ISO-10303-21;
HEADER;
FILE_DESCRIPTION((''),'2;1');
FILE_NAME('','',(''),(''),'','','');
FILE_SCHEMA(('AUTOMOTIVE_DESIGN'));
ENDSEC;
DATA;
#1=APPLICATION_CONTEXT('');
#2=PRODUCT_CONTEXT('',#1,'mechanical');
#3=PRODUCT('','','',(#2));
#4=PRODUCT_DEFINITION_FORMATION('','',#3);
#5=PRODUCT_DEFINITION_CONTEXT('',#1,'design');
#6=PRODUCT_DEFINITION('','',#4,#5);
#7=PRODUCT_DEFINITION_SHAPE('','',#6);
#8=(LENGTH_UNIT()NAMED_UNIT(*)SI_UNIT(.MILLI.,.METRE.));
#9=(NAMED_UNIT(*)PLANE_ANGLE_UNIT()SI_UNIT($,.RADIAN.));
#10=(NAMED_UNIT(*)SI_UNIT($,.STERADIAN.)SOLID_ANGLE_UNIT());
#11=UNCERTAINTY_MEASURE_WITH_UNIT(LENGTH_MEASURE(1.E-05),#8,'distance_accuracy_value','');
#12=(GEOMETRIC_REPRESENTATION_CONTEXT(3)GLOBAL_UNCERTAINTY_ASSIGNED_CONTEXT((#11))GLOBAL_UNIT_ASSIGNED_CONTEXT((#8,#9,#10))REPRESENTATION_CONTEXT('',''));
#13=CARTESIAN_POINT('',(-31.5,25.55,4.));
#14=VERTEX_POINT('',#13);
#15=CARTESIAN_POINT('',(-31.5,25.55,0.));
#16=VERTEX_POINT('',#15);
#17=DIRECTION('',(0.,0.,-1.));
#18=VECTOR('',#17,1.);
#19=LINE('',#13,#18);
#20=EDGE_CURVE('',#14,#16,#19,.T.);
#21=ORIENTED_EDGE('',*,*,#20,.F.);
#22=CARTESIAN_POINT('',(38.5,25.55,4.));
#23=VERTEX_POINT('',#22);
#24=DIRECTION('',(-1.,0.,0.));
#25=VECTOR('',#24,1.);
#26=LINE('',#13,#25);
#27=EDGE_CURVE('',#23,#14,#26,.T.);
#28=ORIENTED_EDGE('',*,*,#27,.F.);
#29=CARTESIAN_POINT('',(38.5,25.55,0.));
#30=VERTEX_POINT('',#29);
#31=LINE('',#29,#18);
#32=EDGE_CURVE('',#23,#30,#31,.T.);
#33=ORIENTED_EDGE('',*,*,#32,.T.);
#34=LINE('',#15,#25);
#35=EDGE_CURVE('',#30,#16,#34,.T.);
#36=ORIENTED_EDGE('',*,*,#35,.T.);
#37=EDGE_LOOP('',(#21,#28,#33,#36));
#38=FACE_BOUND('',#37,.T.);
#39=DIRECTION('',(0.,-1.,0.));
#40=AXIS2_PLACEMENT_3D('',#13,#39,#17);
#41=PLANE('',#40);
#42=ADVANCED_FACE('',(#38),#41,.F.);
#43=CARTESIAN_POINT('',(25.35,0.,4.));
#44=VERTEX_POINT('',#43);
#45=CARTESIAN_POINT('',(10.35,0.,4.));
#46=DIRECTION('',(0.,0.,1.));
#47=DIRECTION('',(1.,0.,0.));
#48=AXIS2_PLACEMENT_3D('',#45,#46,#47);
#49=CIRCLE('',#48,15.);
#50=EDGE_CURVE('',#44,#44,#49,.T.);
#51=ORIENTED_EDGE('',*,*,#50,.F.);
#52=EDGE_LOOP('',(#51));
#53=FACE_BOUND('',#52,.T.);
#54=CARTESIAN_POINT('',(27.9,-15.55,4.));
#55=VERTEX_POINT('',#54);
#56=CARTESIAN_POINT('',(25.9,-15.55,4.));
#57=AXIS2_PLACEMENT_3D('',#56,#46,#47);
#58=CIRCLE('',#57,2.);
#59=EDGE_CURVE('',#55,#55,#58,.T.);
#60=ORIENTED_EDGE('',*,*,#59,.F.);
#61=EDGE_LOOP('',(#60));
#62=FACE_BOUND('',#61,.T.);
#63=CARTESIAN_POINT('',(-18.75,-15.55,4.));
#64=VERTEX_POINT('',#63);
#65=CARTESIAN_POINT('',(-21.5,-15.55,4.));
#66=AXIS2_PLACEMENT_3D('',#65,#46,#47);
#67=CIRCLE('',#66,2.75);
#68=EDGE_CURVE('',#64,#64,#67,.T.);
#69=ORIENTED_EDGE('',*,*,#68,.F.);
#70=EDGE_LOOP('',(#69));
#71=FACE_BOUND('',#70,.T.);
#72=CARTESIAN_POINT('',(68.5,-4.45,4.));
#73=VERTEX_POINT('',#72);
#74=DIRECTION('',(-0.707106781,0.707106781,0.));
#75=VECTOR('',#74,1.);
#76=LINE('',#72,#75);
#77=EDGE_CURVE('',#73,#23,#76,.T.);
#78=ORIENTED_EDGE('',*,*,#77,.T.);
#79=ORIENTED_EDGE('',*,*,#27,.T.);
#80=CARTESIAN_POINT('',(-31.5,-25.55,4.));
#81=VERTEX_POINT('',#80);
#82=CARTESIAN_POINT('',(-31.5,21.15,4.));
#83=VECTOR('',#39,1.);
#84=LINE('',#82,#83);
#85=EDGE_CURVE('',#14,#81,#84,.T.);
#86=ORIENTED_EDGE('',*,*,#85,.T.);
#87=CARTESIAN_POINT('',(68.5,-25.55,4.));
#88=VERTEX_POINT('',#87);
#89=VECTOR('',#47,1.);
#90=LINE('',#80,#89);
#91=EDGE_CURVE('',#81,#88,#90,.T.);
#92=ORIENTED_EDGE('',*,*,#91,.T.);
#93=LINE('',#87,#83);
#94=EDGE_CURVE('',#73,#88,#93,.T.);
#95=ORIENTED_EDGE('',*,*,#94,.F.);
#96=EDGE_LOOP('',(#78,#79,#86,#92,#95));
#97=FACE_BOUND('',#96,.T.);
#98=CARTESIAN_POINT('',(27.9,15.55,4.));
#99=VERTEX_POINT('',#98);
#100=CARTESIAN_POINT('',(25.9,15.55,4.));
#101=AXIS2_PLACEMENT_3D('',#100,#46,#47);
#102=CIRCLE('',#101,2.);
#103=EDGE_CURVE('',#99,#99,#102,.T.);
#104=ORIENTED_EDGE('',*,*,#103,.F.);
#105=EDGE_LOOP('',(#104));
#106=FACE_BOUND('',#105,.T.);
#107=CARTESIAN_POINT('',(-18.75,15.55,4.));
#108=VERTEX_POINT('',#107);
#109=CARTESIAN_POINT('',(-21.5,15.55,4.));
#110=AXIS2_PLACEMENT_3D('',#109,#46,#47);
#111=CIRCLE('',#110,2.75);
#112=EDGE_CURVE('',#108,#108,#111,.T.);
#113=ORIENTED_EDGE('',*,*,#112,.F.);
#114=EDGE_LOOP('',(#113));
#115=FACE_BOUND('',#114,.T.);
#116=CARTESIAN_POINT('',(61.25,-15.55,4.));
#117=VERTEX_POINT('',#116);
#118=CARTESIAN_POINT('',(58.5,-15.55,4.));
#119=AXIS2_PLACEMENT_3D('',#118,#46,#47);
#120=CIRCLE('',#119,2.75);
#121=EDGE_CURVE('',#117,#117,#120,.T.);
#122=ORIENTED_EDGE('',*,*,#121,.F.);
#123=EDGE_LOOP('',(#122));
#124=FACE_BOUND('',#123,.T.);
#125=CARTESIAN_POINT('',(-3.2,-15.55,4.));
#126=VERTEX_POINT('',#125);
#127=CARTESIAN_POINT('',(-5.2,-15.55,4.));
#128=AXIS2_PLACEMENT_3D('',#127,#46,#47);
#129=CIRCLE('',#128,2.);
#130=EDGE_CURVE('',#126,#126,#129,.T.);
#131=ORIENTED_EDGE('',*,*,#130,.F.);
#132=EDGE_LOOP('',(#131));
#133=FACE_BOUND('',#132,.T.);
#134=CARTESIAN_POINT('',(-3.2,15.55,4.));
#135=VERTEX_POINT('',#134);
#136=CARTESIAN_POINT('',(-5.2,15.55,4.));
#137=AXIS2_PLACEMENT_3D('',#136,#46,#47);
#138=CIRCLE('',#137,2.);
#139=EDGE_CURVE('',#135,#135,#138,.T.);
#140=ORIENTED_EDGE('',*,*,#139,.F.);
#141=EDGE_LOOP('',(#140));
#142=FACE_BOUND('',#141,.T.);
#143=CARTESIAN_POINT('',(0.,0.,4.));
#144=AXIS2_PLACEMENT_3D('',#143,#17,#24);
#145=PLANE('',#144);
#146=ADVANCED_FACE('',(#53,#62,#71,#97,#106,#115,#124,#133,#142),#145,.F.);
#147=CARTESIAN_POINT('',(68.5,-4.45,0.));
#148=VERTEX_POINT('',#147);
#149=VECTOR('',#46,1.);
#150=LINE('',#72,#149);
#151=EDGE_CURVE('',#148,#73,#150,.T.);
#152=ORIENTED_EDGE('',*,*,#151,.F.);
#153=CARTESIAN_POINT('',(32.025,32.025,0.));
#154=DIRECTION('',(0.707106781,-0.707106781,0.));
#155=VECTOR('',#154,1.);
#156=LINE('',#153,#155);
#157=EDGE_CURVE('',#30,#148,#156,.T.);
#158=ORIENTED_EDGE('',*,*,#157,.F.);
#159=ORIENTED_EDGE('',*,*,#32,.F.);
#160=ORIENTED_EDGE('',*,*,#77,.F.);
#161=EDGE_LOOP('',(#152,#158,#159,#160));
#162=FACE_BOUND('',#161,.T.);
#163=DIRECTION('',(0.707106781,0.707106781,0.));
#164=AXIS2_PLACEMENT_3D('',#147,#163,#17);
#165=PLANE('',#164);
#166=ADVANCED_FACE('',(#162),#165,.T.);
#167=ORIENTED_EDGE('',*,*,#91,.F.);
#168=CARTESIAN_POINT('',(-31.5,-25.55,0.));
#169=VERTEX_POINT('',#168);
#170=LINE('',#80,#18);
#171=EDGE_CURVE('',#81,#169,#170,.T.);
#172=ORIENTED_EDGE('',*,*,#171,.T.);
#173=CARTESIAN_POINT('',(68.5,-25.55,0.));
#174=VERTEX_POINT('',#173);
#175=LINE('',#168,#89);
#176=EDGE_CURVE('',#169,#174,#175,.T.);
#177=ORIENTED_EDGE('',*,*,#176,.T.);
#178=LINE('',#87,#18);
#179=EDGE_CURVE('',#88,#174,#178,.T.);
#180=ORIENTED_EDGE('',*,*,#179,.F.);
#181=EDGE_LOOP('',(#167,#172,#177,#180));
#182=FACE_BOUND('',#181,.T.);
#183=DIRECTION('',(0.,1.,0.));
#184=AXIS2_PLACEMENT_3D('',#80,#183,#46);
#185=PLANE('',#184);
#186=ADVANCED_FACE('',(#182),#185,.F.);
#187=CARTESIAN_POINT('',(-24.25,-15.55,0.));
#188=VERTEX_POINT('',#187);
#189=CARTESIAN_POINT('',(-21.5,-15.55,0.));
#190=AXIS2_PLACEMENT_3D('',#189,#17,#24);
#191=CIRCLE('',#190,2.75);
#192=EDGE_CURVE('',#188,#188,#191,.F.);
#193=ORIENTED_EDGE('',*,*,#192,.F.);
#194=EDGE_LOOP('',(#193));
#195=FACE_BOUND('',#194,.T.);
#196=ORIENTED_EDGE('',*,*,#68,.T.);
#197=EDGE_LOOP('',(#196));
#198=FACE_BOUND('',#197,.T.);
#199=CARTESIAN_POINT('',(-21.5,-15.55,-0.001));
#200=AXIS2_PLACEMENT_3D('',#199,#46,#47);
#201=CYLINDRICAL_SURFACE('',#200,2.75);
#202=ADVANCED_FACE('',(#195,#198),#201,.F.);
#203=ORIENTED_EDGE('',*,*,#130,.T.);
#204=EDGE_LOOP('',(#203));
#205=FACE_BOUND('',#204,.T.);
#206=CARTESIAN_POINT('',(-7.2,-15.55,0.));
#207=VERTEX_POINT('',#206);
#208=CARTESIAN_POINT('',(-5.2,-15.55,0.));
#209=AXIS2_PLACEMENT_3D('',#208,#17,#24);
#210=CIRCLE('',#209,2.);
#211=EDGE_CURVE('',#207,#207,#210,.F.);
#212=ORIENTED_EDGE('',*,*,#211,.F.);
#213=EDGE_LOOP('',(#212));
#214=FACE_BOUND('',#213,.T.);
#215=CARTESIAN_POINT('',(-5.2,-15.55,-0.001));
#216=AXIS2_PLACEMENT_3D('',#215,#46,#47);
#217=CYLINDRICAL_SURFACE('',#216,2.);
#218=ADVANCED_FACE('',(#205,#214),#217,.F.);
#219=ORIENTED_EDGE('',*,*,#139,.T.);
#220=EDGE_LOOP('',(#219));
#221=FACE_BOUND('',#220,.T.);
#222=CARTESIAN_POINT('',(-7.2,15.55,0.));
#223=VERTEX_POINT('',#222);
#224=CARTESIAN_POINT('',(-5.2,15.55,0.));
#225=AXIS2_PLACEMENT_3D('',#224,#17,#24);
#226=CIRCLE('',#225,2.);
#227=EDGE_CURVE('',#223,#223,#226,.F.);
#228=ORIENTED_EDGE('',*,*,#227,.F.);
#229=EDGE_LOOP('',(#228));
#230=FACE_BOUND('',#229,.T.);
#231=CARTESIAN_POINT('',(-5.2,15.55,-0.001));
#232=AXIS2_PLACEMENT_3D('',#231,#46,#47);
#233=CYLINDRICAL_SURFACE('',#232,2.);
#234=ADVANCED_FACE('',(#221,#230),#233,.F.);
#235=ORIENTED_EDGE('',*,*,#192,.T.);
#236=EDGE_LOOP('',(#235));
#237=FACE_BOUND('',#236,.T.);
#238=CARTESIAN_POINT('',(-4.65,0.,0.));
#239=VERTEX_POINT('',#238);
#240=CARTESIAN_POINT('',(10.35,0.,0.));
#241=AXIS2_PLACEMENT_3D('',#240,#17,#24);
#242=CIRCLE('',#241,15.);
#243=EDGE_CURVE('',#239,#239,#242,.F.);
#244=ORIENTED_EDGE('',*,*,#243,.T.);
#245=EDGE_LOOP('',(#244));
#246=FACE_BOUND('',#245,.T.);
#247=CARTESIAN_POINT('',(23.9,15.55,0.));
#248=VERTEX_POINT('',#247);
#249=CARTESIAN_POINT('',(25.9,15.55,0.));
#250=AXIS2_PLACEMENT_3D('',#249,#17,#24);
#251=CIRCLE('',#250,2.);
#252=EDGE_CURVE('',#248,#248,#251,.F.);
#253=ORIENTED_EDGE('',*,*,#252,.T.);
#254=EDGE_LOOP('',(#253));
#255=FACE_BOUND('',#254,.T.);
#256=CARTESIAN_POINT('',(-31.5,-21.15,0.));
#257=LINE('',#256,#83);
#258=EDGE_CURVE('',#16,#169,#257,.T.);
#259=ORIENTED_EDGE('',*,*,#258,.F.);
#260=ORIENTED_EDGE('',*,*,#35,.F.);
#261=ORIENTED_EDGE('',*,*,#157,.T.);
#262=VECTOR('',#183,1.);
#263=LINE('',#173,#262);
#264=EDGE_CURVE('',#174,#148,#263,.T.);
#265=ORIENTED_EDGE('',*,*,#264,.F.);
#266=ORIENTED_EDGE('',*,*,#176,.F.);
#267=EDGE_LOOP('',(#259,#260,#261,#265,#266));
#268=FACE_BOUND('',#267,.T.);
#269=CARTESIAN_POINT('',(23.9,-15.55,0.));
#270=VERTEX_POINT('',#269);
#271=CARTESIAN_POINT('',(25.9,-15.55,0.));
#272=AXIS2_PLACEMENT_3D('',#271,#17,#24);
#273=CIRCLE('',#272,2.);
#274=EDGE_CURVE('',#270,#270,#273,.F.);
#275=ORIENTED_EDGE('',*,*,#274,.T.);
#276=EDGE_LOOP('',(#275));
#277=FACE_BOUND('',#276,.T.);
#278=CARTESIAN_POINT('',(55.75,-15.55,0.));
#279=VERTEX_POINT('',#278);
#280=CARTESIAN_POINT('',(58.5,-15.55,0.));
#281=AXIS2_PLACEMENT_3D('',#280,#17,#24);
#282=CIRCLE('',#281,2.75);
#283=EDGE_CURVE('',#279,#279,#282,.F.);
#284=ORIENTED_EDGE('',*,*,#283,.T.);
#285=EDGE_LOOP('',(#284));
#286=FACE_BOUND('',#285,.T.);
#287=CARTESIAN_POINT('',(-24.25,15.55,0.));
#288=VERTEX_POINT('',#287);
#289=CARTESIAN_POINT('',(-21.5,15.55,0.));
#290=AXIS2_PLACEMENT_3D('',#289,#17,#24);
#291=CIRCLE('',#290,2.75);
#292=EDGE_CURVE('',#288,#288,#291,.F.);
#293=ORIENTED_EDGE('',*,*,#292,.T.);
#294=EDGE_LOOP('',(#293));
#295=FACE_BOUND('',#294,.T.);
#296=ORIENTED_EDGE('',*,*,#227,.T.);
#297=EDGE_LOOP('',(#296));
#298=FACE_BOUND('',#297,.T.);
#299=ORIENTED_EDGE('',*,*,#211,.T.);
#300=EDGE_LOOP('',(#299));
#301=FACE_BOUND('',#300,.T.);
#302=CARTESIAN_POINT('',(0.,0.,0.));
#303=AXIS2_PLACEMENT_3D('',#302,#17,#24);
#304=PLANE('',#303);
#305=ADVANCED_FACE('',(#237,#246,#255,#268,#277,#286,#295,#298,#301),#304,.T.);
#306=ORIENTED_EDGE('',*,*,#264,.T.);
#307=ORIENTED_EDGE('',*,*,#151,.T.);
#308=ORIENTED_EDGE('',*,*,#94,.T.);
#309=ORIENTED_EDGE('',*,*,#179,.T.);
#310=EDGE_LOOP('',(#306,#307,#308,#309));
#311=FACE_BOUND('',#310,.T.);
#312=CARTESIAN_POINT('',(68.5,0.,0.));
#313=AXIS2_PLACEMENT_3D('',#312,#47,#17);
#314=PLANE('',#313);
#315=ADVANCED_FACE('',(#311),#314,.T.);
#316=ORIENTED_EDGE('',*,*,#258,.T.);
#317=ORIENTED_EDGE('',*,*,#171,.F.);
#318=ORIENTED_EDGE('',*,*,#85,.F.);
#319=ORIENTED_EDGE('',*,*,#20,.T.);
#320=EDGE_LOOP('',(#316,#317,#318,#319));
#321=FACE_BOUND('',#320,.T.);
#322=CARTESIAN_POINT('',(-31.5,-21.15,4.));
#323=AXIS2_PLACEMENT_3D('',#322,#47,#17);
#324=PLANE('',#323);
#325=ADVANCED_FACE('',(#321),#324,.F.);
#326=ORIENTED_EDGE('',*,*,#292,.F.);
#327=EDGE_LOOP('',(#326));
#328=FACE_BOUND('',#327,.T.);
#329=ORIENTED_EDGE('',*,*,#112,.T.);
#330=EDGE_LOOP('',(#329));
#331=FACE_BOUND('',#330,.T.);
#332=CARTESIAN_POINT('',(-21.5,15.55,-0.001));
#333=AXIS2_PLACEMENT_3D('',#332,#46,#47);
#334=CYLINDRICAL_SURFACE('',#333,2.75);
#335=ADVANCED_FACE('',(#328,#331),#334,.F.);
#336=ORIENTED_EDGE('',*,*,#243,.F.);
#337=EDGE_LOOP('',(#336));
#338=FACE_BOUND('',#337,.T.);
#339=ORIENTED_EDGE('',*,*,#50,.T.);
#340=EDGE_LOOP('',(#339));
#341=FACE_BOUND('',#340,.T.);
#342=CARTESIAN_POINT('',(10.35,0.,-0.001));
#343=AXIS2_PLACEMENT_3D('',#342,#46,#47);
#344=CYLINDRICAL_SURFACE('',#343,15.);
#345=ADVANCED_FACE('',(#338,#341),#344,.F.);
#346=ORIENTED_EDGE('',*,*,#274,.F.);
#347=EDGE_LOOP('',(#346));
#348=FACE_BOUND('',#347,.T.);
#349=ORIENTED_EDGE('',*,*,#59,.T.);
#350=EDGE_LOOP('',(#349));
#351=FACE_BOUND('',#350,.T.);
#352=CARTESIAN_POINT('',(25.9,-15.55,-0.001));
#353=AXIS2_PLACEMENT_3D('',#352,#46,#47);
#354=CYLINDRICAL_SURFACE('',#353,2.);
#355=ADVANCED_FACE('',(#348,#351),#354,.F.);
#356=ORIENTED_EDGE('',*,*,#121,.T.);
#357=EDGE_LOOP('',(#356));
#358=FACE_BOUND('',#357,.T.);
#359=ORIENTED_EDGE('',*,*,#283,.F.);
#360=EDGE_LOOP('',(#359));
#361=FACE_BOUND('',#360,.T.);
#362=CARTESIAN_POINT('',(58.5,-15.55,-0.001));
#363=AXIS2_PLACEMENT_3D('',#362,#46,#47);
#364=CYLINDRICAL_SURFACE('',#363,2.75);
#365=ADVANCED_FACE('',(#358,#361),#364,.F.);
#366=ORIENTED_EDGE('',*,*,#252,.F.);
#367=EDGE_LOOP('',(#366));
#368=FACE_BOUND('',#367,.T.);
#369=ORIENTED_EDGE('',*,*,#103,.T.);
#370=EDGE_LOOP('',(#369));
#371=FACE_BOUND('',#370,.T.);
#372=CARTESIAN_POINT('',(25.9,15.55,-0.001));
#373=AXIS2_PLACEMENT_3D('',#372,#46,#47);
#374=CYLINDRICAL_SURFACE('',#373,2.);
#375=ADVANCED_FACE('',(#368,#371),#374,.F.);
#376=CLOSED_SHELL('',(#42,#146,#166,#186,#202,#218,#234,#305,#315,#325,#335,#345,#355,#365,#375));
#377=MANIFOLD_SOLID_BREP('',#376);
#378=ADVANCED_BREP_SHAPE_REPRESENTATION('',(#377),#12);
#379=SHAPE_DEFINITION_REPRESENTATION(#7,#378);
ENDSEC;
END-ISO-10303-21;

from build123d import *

# Parameters (mm, degrees)
BOSS_EXTRUDE1_DEPTH = 4
CUT_EXTRUDE1_REACH  = 42.756
SKETCH2_R           = 2
SKETCH2_R_2         = 2.75
SKETCH2_R_3         = 15
SKETCH4_W           = 4
SKETCH4_H           = 51.1
BOSS_EXTRUDE2_DEPTH = 37
CUT_EXTRUDE2_REACH  = 75.219
SKETCH5_R           = 2.75
CHAMFER2_SIZE       = 30


with BuildPart() as part:
    # Sketch1 → Boss-Extrude1 (new body)
    with BuildSketch(Plane.XY):
        Polygon((-31.5, 21.15), (-31.5, -21.15), (-31.5, -25.55), (31.5, -25.55), (31.5, -21.15), (31.5, 21.15), (31.5, 25.55), (-31.5, 25.55), align=None)
    extrude(amount=BOSS_EXTRUDE1_DEPTH)

    # Sketch2 → Cut-Extrude1 (cut, up to next)
    with BuildSketch(Plane.XY.offset(4), mode=Mode.PRIVATE) as cut_extrude1_sk1:
        with Locations((-5.2, 15.55)):
            Circle(SKETCH2_R)
    cut_extrude1_tool1 = extrude(cut_extrude1_sk1.sketch, amount=-CUT_EXTRUDE1_REACH, mode=Mode.PRIVATE) & part.part
    # Sketch2 → Cut-Extrude1 (cut, up to next)
    with BuildSketch(Plane.XY.offset(4), mode=Mode.PRIVATE) as cut_extrude1_sk2:
        with Locations((25.9, 15.55)):
            Circle(SKETCH2_R)
    cut_extrude1_tool2 = extrude(cut_extrude1_sk2.sketch, amount=-CUT_EXTRUDE1_REACH, mode=Mode.PRIVATE) & part.part
    # Sketch2 → Cut-Extrude1 (cut, up to next)
    with BuildSketch(Plane.XY.offset(4), mode=Mode.PRIVATE) as cut_extrude1_sk3:
        with Locations((25.9, -15.55)):
            Circle(SKETCH2_R)
    cut_extrude1_tool3 = extrude(cut_extrude1_sk3.sketch, amount=-CUT_EXTRUDE1_REACH, mode=Mode.PRIVATE) & part.part
    # Sketch2 → Cut-Extrude1 (cut, up to next)
    with BuildSketch(Plane.XY.offset(4), mode=Mode.PRIVATE) as cut_extrude1_sk4:
        with Locations((-5.2, -15.55)):
            Circle(SKETCH2_R)
    cut_extrude1_tool4 = extrude(cut_extrude1_sk4.sketch, amount=-CUT_EXTRUDE1_REACH, mode=Mode.PRIVATE) & part.part
    # Sketch2 → Cut-Extrude1 (cut, up to next)
    with BuildSketch(Plane.XY.offset(4), mode=Mode.PRIVATE) as cut_extrude1_sk5:
        with Locations((-21.5, 15.55)):
            Circle(SKETCH2_R_2)
    cut_extrude1_tool5 = extrude(cut_extrude1_sk5.sketch, amount=-CUT_EXTRUDE1_REACH, mode=Mode.PRIVATE) & part.part
    # Sketch2 → Cut-Extrude1 (cut, up to next)
    with BuildSketch(Plane.XY.offset(4), mode=Mode.PRIVATE) as cut_extrude1_sk6:
        with Locations((-21.5, -15.55)):
            Circle(SKETCH2_R_2)
    cut_extrude1_tool6 = extrude(cut_extrude1_sk6.sketch, amount=-CUT_EXTRUDE1_REACH, mode=Mode.PRIVATE) & part.part
    # Sketch2 → Cut-Extrude1 (cut, up to next)
    with BuildSketch(Plane.XY.offset(4), mode=Mode.PRIVATE) as cut_extrude1_sk7:
        with Locations((10.35, 0)):
            Circle(SKETCH2_R_3)
    cut_extrude1_tool7 = extrude(cut_extrude1_sk7.sketch, amount=-CUT_EXTRUDE1_REACH, mode=Mode.PRIVATE) & part.part
    add(cut_extrude1_tool1.solids().sort_by_distance((-5.2, 15.55, 4))[0], mode=Mode.SUBTRACT)
    add(cut_extrude1_tool2.solids().sort_by_distance((25.9, 15.55, 4))[0], mode=Mode.SUBTRACT)
    add(cut_extrude1_tool3.solids().sort_by_distance((25.9, -15.55, 4))[0], mode=Mode.SUBTRACT)
    add(cut_extrude1_tool4.solids().sort_by_distance((-5.2, -15.55, 4))[0], mode=Mode.SUBTRACT)
    add(cut_extrude1_tool5.solids().sort_by_distance((-21.5, 15.55, 4))[0], mode=Mode.SUBTRACT)
    add(cut_extrude1_tool6.solids().sort_by_distance((-21.5, -15.55, 4))[0], mode=Mode.SUBTRACT)
    add(cut_extrude1_tool7.solids().sort_by_distance((10.35, 0, 4))[0], mode=Mode.SUBTRACT)

    # Sketch4 → Boss-Extrude2 (add)
    with BuildSketch(Plane(origin=(31.5, 0, 0), x_dir=(0, 0, -1), z_dir=(1, 0, 0))):
        with Locations((-2, 0)):
            Rectangle(SKETCH4_W, SKETCH4_H)
    extrude(amount=BOSS_EXTRUDE2_DEPTH)

    # Sketch5 → Cut-Extrude2 (cut, up to next)
    with BuildSketch(Plane.XY.offset(4), mode=Mode.PRIVATE) as cut_extrude2_sk1:
        with Locations((58.5, -15.55)):
            Circle(SKETCH5_R)
    cut_extrude2_tool1 = extrude(cut_extrude2_sk1.sketch, amount=-CUT_EXTRUDE2_REACH, mode=Mode.PRIVATE) & part.part
    add(cut_extrude2_tool1.solids().sort_by_distance((58.5, -15.55, 4))[0], mode=Mode.SUBTRACT)

    # Chamfer2
    chamfer2_edges = [part.edges().sort_by_distance(p)[0] for p in [
        (68.5, 25.55, 2),
    ]]
    chamfer(chamfer2_edges, length=CHAMFER2_SIZE)


solid = part.part
